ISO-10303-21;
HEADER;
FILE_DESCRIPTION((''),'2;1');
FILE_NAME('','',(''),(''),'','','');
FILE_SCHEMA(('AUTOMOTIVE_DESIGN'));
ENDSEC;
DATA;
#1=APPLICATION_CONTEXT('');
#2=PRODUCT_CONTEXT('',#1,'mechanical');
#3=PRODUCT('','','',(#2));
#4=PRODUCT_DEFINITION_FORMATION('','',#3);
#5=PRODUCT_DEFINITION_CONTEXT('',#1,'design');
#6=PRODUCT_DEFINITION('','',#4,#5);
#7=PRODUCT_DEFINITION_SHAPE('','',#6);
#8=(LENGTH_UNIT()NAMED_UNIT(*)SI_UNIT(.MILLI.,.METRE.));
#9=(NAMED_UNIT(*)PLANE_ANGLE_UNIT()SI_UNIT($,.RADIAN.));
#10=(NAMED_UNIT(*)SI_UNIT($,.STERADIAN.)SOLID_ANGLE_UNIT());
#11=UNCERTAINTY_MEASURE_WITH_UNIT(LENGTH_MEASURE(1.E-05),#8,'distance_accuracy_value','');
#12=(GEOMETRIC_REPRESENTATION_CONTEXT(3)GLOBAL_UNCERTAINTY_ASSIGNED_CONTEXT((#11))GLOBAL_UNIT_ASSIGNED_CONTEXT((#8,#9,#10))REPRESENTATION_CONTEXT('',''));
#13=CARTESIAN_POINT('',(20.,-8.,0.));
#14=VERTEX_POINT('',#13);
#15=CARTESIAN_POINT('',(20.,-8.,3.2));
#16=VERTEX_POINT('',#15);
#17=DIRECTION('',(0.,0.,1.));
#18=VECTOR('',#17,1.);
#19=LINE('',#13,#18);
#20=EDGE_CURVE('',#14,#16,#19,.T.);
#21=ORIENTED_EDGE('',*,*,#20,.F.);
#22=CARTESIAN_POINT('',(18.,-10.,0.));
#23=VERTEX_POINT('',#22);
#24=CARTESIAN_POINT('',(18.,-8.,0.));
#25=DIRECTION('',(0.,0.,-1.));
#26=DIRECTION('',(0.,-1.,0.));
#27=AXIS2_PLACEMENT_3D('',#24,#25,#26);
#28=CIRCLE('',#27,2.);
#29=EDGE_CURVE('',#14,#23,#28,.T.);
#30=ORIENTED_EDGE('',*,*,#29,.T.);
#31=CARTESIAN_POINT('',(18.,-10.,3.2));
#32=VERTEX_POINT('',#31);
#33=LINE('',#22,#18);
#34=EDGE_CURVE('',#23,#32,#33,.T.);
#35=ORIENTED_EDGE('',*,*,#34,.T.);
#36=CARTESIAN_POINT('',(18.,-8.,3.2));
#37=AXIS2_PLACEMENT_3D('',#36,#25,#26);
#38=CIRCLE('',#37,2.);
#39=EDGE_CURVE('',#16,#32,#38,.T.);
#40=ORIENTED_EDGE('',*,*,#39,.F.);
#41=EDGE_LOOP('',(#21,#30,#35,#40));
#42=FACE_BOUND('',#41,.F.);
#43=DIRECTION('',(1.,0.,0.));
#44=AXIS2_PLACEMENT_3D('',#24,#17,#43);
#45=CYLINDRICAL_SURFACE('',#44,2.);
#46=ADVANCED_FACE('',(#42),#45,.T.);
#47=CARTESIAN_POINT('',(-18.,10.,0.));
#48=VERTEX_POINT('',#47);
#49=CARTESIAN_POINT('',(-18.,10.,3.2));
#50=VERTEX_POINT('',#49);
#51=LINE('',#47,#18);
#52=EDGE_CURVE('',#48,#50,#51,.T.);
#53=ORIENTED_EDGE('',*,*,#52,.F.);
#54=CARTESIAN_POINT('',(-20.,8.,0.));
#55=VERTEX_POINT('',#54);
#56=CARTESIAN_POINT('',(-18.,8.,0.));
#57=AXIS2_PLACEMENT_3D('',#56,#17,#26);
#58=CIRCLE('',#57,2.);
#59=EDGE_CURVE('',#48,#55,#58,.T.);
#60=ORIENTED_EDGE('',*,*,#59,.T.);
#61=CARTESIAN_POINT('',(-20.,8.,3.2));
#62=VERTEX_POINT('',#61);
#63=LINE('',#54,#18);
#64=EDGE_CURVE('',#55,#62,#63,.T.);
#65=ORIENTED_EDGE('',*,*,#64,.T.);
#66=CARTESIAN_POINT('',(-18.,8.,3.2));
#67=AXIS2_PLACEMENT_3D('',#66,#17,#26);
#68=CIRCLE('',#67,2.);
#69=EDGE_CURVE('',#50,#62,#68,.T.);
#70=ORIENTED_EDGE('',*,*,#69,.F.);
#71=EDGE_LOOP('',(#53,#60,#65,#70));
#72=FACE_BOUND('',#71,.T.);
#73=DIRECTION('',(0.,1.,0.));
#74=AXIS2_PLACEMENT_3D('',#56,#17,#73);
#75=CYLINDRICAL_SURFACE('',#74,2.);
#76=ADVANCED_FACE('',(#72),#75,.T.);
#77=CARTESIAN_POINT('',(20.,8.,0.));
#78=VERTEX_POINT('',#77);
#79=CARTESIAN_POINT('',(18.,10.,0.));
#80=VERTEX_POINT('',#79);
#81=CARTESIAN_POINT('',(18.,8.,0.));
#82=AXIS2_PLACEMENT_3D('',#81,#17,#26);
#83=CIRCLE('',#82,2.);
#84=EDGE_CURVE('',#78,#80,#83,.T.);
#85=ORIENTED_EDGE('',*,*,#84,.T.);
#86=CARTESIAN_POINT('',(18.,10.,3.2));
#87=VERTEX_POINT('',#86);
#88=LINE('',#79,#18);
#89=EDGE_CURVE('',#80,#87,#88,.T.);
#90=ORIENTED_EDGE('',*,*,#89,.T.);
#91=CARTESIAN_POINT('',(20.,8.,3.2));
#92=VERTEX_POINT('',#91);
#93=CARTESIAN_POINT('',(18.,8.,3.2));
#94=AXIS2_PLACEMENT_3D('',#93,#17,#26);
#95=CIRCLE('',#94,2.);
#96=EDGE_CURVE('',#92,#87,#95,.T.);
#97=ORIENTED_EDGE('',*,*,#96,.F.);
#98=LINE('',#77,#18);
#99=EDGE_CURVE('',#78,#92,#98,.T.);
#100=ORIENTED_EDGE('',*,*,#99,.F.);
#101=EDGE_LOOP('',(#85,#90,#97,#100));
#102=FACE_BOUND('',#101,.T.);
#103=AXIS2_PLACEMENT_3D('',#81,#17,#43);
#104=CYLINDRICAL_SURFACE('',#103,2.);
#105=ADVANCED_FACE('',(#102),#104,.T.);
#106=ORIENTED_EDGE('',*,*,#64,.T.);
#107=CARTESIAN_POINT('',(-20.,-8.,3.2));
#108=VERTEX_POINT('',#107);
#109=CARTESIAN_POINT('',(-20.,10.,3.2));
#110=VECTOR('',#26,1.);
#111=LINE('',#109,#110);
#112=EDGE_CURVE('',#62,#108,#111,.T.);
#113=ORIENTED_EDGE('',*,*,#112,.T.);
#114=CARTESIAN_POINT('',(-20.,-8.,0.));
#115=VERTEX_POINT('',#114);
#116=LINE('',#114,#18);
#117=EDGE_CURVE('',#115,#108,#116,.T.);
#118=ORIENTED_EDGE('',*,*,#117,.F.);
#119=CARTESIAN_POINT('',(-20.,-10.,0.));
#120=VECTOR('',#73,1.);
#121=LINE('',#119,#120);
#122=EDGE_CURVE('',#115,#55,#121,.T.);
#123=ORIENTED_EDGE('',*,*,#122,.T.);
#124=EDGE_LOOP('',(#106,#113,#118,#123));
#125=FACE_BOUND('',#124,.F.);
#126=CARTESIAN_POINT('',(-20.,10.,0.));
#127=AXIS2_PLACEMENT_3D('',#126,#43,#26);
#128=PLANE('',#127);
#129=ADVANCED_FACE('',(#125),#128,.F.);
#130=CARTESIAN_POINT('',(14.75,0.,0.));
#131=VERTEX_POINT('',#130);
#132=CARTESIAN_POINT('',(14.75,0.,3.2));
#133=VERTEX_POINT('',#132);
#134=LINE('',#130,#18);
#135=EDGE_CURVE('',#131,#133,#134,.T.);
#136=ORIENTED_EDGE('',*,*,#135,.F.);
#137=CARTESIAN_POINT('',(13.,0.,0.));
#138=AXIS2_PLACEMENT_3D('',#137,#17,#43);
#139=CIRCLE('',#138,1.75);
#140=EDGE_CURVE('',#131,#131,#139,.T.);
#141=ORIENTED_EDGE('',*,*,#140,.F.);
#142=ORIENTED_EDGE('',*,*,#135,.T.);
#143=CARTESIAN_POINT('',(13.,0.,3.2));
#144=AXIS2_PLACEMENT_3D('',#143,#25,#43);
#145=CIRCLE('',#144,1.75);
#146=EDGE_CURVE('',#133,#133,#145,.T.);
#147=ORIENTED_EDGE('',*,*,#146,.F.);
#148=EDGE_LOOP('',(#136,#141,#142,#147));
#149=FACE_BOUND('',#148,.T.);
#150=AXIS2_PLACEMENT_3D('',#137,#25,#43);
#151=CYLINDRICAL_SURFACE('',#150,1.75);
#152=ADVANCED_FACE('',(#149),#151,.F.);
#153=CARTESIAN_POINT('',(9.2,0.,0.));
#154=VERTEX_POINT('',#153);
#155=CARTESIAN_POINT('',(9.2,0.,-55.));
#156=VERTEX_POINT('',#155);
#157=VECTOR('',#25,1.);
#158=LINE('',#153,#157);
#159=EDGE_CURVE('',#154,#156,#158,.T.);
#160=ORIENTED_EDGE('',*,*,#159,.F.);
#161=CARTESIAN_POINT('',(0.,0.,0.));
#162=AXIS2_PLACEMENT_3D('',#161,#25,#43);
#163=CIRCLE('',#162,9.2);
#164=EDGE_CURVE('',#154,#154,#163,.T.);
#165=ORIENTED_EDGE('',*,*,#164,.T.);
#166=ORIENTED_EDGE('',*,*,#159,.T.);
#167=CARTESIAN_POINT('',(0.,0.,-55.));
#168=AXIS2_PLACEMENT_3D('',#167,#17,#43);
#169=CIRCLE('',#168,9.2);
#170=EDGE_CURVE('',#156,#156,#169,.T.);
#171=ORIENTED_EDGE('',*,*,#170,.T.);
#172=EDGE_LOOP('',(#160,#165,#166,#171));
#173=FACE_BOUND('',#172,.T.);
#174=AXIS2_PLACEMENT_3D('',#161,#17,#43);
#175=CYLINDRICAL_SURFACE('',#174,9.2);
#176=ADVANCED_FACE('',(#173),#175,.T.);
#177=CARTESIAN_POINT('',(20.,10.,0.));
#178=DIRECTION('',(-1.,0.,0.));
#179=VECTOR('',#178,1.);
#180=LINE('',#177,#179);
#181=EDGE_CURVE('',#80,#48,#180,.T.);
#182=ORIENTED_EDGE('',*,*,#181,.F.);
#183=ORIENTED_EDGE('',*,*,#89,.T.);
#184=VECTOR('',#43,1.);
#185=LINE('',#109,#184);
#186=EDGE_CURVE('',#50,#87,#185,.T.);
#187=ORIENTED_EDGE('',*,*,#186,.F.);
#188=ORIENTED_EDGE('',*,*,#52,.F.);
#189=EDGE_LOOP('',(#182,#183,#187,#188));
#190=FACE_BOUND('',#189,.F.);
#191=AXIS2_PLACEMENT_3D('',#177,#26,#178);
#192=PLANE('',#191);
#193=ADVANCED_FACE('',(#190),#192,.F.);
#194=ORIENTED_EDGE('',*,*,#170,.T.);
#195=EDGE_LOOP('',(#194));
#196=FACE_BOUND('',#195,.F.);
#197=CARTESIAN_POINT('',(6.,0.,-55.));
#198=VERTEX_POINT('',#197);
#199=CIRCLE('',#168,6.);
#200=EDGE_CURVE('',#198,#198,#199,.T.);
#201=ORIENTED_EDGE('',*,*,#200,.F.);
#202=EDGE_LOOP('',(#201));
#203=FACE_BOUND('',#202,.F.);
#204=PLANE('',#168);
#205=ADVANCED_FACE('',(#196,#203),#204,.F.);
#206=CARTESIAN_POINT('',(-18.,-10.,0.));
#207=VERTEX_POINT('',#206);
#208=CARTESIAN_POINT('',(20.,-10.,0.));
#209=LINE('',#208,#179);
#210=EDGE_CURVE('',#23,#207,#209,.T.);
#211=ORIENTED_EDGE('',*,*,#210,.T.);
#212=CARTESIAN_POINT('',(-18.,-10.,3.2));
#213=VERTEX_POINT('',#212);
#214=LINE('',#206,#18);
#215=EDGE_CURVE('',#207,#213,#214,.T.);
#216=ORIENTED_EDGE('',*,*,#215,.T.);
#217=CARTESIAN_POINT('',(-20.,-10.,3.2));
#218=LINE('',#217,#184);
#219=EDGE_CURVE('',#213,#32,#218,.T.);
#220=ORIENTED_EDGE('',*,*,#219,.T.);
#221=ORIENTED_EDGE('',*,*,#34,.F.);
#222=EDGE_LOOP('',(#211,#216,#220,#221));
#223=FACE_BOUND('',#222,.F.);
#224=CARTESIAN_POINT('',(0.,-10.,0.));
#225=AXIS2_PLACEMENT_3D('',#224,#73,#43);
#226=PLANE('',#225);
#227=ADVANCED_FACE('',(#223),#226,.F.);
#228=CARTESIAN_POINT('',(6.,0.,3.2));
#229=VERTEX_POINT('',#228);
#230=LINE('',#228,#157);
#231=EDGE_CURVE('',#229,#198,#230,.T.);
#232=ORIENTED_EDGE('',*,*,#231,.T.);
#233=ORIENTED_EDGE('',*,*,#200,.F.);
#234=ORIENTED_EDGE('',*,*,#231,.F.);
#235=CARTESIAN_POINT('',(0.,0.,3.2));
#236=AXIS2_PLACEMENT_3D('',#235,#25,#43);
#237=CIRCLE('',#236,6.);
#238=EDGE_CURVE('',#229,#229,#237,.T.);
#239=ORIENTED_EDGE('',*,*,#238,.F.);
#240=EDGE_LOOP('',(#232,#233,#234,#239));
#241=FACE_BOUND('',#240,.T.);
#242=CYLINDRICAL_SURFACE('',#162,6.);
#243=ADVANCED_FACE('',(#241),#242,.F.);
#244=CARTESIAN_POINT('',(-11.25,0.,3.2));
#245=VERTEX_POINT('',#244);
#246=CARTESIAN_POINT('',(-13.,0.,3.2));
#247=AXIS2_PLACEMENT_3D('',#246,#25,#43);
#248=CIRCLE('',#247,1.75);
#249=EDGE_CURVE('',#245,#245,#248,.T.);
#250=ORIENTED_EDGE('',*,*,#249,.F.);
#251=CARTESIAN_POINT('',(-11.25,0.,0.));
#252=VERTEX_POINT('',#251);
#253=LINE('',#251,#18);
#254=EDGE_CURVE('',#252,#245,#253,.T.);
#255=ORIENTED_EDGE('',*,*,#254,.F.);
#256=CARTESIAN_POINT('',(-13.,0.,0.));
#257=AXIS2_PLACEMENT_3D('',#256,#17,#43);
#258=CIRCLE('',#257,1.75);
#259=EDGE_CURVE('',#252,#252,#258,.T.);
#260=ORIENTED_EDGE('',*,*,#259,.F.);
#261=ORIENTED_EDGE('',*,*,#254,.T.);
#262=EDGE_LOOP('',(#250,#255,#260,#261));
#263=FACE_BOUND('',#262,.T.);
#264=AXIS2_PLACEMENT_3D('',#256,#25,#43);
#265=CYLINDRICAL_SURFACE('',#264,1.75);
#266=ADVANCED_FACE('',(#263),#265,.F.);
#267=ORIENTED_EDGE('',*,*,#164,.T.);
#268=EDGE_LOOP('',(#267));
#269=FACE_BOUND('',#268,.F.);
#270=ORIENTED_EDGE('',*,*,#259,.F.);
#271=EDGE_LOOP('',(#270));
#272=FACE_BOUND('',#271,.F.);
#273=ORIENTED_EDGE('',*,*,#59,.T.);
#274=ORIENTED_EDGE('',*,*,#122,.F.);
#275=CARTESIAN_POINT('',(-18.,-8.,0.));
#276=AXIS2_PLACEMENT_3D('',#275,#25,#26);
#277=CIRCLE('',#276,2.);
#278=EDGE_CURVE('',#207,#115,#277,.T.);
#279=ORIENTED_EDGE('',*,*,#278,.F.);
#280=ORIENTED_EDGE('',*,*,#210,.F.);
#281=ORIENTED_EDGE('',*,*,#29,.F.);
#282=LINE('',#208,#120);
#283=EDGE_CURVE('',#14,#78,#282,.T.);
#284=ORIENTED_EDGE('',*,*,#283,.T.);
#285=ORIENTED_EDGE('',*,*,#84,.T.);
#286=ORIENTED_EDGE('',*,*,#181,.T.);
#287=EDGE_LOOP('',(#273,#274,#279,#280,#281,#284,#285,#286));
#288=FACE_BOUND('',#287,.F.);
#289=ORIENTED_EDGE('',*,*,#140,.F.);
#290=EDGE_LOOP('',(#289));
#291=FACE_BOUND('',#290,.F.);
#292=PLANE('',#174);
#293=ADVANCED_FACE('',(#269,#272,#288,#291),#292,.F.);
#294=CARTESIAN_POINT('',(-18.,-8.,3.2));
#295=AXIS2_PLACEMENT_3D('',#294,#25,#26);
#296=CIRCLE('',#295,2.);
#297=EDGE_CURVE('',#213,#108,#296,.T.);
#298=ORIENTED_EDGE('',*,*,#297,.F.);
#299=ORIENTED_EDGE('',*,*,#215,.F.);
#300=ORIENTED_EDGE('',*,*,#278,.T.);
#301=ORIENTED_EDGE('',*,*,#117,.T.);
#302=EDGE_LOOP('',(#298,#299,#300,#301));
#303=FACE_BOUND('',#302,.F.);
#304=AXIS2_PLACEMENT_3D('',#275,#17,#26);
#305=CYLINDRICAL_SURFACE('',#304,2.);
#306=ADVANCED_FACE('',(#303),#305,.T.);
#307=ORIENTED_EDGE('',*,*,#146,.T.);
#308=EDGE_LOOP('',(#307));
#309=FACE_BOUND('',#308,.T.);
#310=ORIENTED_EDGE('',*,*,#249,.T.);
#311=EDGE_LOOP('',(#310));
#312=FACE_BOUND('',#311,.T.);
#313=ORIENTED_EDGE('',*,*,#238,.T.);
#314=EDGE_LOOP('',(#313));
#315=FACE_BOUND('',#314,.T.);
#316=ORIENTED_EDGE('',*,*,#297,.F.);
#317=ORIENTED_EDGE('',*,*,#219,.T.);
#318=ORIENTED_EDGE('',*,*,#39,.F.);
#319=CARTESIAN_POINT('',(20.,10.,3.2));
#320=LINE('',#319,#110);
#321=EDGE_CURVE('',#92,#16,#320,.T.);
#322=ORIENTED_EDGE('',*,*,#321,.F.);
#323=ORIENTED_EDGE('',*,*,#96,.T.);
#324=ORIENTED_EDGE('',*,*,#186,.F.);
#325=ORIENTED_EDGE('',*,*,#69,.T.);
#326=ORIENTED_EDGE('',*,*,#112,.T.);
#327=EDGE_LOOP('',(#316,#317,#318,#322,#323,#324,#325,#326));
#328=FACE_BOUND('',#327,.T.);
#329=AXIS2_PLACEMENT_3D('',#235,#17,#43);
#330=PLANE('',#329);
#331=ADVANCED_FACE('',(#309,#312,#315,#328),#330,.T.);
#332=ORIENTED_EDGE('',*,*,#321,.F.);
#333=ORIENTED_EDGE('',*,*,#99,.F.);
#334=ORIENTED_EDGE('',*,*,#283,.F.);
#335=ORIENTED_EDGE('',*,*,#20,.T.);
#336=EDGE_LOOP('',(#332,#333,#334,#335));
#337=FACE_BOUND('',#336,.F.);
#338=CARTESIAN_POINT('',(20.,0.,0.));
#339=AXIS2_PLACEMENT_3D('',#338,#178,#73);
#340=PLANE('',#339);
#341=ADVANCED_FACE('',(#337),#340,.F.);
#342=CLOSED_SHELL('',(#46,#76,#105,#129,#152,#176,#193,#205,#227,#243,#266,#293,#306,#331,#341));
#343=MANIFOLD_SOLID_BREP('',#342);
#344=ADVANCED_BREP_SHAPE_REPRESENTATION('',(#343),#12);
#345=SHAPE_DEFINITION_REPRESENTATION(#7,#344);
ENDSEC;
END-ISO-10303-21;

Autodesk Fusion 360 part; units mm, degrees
sketch "support" plane through (0, 0, 0) normal (0, 0, 1) x (1, 0, 0)
  line L0 (20, 10) -> (-20, 10)
  line L1 (-20, 10) -> (-20, -10)
  line L2 (-20, -10) -> (20, -10)
  line L3 (20, -10) -> (20, 10)
  line L4 (20, 10) -> (-20, -10) construction
  line L5 (-20, 10) -> (20, -10) construction
  circle A0 centre (0, 0) radius 6
  line L6 (-20, 0) -> (20, 0)
  circle A1 centre (-13, 0) radius 1.75
  line L7 (0, 10) -> (0, -10)
  circle A2 centre (13, 0) radius 1.75
  circle A3 centre (0, 0) radius 9.2
  dimension "d1" = 40
  dimension "d2" = 20
  dimension "d3" = 12
  dimension "d4" = 3.5
  dimension "d5" = 7
  dimension "d10" = 3.2
extrude "Extrude1" add sketch "support" along normal blind 3.2 contours L0 L3 L6 L7 A2 A3 | L0 L1 L6 A1 L7 A3 | L2 L3 L6 L7 A2 A3 | A0 L6 L7 A3 | A0 L6 L7 A3 | L1 L2 L6 A1 L7 A3 | A0 L6 L7 A3 | A0 L6 L7 A3
extrude "Extrude3" add sketch "support" against normal blind 55 contours A0 L6 L7 A3 | A0 L6 L7 A3 | A0 L6 L7 A3 | A0 L6 L7 A3
fillet "Fillet1" radius 2 4 edges at (20, 10, 1.6) (20, -10, 1.6) (-20, 10, 1.6) (-20, -10, 1.6)
